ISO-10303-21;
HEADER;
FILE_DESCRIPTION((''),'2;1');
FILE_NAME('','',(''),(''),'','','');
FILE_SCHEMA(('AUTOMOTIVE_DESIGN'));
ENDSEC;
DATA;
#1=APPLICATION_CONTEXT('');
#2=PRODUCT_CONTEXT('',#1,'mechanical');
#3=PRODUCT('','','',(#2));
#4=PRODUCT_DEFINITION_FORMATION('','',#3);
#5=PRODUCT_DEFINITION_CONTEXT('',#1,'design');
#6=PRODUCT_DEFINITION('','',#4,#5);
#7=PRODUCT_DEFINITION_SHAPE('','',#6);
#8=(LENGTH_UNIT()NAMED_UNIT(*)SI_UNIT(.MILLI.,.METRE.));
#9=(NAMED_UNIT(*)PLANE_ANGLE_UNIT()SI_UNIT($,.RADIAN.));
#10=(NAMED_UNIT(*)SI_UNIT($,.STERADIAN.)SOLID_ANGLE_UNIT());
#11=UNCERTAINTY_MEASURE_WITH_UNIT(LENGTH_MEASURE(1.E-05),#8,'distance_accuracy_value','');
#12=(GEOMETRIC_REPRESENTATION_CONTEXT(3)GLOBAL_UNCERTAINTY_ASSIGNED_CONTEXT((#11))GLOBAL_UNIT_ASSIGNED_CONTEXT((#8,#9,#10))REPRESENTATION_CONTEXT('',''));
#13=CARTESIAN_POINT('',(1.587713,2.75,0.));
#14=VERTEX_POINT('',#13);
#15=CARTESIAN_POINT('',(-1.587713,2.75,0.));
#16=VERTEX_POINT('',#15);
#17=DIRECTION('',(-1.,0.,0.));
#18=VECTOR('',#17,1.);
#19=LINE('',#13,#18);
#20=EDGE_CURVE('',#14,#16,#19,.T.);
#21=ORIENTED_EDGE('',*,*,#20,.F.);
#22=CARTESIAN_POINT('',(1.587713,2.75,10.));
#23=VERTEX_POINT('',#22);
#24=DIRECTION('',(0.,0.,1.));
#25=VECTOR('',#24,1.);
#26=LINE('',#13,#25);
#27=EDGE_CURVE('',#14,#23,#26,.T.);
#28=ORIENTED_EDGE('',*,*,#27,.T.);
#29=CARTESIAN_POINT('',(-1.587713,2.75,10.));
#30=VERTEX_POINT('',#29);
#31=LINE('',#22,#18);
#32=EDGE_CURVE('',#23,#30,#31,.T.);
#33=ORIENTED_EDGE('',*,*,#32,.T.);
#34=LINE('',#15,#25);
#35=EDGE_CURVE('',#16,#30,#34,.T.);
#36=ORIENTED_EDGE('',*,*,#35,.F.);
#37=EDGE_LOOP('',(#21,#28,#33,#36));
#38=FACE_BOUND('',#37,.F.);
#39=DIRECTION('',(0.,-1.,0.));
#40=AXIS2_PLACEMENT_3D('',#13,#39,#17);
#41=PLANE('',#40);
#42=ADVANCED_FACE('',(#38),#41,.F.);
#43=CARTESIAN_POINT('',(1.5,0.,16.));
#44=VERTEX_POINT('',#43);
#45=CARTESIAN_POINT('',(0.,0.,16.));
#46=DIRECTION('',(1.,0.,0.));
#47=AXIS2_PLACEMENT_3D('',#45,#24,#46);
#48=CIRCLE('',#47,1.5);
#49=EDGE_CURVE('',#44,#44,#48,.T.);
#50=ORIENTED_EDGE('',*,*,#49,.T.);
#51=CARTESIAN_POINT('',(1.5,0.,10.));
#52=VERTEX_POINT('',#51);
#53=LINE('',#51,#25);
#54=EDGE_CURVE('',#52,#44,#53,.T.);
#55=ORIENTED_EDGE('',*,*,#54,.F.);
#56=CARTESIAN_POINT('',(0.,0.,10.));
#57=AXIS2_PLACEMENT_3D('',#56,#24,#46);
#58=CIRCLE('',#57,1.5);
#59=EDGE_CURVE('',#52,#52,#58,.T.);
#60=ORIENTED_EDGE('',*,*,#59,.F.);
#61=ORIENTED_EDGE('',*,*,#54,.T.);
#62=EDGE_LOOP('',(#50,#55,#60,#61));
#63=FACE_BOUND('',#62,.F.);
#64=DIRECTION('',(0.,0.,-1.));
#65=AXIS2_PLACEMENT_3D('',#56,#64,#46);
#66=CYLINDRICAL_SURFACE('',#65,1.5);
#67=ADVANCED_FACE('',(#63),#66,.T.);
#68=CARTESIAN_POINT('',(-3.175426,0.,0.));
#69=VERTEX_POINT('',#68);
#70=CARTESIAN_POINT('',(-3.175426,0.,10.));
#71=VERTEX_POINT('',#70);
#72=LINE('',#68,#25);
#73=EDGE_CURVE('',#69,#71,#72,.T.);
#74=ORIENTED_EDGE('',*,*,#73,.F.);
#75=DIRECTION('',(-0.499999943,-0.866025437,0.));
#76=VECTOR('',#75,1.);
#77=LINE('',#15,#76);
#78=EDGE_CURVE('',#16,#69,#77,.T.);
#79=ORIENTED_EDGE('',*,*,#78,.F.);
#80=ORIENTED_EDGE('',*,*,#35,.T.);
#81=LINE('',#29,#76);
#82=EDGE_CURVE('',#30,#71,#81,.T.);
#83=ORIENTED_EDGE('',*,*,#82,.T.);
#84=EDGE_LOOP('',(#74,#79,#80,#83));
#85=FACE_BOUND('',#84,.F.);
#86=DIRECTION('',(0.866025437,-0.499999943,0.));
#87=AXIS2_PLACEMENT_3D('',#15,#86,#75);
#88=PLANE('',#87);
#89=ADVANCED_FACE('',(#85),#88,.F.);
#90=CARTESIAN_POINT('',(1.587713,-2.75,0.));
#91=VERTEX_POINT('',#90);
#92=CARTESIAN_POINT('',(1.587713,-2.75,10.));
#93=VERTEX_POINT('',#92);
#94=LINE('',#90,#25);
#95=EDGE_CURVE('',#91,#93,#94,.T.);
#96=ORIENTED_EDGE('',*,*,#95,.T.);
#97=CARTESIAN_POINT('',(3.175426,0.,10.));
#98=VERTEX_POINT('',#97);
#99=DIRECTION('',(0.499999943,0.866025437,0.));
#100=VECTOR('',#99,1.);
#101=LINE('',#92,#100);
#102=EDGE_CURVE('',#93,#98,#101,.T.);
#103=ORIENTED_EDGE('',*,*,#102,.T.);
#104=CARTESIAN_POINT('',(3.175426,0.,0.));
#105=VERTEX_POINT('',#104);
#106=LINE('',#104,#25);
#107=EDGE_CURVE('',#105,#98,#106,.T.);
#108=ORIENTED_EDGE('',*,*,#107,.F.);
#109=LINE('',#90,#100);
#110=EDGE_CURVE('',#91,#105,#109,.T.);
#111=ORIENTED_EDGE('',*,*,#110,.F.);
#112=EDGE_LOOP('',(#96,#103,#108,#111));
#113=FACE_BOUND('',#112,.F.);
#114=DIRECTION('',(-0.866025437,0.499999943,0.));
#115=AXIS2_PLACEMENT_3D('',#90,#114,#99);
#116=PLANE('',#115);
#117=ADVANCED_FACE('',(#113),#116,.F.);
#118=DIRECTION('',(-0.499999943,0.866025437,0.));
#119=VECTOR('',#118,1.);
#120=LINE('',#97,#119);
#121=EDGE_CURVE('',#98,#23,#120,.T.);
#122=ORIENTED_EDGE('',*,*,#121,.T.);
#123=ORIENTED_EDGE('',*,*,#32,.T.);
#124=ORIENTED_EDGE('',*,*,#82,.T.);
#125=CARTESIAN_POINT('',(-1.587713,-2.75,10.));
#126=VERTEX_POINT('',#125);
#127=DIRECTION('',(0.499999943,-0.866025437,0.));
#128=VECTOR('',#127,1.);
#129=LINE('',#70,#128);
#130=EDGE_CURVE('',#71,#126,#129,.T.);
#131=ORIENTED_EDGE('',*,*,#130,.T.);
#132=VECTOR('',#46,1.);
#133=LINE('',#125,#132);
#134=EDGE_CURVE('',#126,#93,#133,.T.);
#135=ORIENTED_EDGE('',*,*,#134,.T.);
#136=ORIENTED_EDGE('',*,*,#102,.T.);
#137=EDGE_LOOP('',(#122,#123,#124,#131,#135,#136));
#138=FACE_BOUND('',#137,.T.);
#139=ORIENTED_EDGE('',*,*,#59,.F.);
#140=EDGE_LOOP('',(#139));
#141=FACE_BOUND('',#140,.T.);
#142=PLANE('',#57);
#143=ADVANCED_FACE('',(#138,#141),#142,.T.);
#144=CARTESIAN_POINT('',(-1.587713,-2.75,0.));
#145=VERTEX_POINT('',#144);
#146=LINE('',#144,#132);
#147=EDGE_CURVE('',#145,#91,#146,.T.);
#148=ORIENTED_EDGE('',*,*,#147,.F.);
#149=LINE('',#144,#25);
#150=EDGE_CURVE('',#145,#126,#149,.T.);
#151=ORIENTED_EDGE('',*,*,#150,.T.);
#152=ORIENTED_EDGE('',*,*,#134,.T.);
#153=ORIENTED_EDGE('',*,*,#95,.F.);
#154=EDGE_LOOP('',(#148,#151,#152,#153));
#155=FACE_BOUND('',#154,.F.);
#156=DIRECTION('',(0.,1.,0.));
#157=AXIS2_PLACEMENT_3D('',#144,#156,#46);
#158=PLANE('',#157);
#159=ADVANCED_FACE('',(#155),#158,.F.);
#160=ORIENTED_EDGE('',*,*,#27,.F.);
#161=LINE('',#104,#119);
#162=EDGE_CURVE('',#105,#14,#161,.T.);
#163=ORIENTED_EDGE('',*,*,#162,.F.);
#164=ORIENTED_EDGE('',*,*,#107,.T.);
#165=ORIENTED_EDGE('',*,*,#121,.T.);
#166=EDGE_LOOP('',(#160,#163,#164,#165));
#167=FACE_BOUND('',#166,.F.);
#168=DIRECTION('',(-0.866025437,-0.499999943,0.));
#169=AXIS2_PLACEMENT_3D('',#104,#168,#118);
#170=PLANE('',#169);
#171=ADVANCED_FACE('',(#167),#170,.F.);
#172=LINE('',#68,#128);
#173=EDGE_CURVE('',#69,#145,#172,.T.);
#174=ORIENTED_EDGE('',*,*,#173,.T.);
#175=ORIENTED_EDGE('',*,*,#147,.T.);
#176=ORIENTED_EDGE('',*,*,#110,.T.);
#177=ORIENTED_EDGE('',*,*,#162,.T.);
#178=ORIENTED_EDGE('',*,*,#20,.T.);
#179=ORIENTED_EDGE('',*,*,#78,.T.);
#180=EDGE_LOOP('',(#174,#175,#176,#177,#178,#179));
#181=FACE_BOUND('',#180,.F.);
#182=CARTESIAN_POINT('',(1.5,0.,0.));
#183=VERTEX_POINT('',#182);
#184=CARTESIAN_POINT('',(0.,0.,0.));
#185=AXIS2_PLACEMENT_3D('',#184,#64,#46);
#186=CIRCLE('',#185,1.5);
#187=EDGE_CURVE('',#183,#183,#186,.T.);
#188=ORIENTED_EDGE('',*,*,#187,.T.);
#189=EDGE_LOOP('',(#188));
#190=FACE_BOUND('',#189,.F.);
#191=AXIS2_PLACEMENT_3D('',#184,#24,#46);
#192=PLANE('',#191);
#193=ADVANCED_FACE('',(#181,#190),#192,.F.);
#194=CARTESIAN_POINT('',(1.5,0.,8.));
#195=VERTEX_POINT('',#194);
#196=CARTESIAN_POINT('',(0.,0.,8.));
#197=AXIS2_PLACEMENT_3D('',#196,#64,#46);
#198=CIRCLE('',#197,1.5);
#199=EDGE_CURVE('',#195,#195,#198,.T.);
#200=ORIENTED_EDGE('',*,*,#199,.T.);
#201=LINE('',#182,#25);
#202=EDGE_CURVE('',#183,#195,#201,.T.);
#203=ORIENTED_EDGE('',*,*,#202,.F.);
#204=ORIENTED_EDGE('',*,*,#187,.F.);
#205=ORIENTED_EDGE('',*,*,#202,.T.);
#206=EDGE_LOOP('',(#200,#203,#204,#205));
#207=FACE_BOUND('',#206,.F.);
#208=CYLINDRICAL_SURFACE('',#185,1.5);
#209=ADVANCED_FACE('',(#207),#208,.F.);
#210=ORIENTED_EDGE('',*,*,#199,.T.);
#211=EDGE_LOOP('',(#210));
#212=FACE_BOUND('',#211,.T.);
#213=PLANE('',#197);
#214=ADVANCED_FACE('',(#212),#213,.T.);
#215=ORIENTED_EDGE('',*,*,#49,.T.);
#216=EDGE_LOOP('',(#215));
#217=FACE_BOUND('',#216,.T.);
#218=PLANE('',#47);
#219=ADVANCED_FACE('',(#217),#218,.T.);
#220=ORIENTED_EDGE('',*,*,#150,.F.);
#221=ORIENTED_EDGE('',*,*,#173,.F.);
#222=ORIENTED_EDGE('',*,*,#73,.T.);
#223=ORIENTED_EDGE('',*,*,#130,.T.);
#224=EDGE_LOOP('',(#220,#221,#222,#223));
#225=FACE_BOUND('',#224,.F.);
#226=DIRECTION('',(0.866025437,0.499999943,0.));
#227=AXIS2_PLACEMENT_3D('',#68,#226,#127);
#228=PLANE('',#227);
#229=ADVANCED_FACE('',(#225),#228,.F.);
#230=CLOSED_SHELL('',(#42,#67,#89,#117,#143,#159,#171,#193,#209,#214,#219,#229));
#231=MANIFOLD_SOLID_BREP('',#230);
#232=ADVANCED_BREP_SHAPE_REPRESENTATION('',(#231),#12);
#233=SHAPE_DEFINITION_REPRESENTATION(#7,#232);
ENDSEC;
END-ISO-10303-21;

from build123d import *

# Parameters (mm, degrees)
PAD_DEPTH    = 10
SKETCH001_R  = 1.5
PAD001_DEPTH = 6
SKETCH002_R  = 1.5
POCKET_DEPTH = 8


with BuildPart() as part:
    # Sketch → Pad (new body)
    with BuildSketch(Plane.XY):
        Polygon((1.587713, -2.75), (3.175426, 0), (1.587713, 2.75), (-1.587713, 2.75), (-3.175426, 0), (-1.587713, -2.75), align=None)
    extrude(amount=PAD_DEPTH)

    # Sketch001 (on Face8 of Pad) → Pad001 (join)
    with BuildSketch(Plane.XY.offset(10)):
        Circle(SKETCH001_R)
    extrude(amount=PAD001_DEPTH)

    # Sketch002 (on Face4 of Pad001) → Pocket (cut)
    with BuildSketch(Plane(origin=(0, 0, 0), x_dir=(1, 0, 0), z_dir=(0, 0, -1))):
        Circle(SKETCH002_R)
    extrude(amount=-POCKET_DEPTH, mode=Mode.SUBTRACT)


solid = part.part
